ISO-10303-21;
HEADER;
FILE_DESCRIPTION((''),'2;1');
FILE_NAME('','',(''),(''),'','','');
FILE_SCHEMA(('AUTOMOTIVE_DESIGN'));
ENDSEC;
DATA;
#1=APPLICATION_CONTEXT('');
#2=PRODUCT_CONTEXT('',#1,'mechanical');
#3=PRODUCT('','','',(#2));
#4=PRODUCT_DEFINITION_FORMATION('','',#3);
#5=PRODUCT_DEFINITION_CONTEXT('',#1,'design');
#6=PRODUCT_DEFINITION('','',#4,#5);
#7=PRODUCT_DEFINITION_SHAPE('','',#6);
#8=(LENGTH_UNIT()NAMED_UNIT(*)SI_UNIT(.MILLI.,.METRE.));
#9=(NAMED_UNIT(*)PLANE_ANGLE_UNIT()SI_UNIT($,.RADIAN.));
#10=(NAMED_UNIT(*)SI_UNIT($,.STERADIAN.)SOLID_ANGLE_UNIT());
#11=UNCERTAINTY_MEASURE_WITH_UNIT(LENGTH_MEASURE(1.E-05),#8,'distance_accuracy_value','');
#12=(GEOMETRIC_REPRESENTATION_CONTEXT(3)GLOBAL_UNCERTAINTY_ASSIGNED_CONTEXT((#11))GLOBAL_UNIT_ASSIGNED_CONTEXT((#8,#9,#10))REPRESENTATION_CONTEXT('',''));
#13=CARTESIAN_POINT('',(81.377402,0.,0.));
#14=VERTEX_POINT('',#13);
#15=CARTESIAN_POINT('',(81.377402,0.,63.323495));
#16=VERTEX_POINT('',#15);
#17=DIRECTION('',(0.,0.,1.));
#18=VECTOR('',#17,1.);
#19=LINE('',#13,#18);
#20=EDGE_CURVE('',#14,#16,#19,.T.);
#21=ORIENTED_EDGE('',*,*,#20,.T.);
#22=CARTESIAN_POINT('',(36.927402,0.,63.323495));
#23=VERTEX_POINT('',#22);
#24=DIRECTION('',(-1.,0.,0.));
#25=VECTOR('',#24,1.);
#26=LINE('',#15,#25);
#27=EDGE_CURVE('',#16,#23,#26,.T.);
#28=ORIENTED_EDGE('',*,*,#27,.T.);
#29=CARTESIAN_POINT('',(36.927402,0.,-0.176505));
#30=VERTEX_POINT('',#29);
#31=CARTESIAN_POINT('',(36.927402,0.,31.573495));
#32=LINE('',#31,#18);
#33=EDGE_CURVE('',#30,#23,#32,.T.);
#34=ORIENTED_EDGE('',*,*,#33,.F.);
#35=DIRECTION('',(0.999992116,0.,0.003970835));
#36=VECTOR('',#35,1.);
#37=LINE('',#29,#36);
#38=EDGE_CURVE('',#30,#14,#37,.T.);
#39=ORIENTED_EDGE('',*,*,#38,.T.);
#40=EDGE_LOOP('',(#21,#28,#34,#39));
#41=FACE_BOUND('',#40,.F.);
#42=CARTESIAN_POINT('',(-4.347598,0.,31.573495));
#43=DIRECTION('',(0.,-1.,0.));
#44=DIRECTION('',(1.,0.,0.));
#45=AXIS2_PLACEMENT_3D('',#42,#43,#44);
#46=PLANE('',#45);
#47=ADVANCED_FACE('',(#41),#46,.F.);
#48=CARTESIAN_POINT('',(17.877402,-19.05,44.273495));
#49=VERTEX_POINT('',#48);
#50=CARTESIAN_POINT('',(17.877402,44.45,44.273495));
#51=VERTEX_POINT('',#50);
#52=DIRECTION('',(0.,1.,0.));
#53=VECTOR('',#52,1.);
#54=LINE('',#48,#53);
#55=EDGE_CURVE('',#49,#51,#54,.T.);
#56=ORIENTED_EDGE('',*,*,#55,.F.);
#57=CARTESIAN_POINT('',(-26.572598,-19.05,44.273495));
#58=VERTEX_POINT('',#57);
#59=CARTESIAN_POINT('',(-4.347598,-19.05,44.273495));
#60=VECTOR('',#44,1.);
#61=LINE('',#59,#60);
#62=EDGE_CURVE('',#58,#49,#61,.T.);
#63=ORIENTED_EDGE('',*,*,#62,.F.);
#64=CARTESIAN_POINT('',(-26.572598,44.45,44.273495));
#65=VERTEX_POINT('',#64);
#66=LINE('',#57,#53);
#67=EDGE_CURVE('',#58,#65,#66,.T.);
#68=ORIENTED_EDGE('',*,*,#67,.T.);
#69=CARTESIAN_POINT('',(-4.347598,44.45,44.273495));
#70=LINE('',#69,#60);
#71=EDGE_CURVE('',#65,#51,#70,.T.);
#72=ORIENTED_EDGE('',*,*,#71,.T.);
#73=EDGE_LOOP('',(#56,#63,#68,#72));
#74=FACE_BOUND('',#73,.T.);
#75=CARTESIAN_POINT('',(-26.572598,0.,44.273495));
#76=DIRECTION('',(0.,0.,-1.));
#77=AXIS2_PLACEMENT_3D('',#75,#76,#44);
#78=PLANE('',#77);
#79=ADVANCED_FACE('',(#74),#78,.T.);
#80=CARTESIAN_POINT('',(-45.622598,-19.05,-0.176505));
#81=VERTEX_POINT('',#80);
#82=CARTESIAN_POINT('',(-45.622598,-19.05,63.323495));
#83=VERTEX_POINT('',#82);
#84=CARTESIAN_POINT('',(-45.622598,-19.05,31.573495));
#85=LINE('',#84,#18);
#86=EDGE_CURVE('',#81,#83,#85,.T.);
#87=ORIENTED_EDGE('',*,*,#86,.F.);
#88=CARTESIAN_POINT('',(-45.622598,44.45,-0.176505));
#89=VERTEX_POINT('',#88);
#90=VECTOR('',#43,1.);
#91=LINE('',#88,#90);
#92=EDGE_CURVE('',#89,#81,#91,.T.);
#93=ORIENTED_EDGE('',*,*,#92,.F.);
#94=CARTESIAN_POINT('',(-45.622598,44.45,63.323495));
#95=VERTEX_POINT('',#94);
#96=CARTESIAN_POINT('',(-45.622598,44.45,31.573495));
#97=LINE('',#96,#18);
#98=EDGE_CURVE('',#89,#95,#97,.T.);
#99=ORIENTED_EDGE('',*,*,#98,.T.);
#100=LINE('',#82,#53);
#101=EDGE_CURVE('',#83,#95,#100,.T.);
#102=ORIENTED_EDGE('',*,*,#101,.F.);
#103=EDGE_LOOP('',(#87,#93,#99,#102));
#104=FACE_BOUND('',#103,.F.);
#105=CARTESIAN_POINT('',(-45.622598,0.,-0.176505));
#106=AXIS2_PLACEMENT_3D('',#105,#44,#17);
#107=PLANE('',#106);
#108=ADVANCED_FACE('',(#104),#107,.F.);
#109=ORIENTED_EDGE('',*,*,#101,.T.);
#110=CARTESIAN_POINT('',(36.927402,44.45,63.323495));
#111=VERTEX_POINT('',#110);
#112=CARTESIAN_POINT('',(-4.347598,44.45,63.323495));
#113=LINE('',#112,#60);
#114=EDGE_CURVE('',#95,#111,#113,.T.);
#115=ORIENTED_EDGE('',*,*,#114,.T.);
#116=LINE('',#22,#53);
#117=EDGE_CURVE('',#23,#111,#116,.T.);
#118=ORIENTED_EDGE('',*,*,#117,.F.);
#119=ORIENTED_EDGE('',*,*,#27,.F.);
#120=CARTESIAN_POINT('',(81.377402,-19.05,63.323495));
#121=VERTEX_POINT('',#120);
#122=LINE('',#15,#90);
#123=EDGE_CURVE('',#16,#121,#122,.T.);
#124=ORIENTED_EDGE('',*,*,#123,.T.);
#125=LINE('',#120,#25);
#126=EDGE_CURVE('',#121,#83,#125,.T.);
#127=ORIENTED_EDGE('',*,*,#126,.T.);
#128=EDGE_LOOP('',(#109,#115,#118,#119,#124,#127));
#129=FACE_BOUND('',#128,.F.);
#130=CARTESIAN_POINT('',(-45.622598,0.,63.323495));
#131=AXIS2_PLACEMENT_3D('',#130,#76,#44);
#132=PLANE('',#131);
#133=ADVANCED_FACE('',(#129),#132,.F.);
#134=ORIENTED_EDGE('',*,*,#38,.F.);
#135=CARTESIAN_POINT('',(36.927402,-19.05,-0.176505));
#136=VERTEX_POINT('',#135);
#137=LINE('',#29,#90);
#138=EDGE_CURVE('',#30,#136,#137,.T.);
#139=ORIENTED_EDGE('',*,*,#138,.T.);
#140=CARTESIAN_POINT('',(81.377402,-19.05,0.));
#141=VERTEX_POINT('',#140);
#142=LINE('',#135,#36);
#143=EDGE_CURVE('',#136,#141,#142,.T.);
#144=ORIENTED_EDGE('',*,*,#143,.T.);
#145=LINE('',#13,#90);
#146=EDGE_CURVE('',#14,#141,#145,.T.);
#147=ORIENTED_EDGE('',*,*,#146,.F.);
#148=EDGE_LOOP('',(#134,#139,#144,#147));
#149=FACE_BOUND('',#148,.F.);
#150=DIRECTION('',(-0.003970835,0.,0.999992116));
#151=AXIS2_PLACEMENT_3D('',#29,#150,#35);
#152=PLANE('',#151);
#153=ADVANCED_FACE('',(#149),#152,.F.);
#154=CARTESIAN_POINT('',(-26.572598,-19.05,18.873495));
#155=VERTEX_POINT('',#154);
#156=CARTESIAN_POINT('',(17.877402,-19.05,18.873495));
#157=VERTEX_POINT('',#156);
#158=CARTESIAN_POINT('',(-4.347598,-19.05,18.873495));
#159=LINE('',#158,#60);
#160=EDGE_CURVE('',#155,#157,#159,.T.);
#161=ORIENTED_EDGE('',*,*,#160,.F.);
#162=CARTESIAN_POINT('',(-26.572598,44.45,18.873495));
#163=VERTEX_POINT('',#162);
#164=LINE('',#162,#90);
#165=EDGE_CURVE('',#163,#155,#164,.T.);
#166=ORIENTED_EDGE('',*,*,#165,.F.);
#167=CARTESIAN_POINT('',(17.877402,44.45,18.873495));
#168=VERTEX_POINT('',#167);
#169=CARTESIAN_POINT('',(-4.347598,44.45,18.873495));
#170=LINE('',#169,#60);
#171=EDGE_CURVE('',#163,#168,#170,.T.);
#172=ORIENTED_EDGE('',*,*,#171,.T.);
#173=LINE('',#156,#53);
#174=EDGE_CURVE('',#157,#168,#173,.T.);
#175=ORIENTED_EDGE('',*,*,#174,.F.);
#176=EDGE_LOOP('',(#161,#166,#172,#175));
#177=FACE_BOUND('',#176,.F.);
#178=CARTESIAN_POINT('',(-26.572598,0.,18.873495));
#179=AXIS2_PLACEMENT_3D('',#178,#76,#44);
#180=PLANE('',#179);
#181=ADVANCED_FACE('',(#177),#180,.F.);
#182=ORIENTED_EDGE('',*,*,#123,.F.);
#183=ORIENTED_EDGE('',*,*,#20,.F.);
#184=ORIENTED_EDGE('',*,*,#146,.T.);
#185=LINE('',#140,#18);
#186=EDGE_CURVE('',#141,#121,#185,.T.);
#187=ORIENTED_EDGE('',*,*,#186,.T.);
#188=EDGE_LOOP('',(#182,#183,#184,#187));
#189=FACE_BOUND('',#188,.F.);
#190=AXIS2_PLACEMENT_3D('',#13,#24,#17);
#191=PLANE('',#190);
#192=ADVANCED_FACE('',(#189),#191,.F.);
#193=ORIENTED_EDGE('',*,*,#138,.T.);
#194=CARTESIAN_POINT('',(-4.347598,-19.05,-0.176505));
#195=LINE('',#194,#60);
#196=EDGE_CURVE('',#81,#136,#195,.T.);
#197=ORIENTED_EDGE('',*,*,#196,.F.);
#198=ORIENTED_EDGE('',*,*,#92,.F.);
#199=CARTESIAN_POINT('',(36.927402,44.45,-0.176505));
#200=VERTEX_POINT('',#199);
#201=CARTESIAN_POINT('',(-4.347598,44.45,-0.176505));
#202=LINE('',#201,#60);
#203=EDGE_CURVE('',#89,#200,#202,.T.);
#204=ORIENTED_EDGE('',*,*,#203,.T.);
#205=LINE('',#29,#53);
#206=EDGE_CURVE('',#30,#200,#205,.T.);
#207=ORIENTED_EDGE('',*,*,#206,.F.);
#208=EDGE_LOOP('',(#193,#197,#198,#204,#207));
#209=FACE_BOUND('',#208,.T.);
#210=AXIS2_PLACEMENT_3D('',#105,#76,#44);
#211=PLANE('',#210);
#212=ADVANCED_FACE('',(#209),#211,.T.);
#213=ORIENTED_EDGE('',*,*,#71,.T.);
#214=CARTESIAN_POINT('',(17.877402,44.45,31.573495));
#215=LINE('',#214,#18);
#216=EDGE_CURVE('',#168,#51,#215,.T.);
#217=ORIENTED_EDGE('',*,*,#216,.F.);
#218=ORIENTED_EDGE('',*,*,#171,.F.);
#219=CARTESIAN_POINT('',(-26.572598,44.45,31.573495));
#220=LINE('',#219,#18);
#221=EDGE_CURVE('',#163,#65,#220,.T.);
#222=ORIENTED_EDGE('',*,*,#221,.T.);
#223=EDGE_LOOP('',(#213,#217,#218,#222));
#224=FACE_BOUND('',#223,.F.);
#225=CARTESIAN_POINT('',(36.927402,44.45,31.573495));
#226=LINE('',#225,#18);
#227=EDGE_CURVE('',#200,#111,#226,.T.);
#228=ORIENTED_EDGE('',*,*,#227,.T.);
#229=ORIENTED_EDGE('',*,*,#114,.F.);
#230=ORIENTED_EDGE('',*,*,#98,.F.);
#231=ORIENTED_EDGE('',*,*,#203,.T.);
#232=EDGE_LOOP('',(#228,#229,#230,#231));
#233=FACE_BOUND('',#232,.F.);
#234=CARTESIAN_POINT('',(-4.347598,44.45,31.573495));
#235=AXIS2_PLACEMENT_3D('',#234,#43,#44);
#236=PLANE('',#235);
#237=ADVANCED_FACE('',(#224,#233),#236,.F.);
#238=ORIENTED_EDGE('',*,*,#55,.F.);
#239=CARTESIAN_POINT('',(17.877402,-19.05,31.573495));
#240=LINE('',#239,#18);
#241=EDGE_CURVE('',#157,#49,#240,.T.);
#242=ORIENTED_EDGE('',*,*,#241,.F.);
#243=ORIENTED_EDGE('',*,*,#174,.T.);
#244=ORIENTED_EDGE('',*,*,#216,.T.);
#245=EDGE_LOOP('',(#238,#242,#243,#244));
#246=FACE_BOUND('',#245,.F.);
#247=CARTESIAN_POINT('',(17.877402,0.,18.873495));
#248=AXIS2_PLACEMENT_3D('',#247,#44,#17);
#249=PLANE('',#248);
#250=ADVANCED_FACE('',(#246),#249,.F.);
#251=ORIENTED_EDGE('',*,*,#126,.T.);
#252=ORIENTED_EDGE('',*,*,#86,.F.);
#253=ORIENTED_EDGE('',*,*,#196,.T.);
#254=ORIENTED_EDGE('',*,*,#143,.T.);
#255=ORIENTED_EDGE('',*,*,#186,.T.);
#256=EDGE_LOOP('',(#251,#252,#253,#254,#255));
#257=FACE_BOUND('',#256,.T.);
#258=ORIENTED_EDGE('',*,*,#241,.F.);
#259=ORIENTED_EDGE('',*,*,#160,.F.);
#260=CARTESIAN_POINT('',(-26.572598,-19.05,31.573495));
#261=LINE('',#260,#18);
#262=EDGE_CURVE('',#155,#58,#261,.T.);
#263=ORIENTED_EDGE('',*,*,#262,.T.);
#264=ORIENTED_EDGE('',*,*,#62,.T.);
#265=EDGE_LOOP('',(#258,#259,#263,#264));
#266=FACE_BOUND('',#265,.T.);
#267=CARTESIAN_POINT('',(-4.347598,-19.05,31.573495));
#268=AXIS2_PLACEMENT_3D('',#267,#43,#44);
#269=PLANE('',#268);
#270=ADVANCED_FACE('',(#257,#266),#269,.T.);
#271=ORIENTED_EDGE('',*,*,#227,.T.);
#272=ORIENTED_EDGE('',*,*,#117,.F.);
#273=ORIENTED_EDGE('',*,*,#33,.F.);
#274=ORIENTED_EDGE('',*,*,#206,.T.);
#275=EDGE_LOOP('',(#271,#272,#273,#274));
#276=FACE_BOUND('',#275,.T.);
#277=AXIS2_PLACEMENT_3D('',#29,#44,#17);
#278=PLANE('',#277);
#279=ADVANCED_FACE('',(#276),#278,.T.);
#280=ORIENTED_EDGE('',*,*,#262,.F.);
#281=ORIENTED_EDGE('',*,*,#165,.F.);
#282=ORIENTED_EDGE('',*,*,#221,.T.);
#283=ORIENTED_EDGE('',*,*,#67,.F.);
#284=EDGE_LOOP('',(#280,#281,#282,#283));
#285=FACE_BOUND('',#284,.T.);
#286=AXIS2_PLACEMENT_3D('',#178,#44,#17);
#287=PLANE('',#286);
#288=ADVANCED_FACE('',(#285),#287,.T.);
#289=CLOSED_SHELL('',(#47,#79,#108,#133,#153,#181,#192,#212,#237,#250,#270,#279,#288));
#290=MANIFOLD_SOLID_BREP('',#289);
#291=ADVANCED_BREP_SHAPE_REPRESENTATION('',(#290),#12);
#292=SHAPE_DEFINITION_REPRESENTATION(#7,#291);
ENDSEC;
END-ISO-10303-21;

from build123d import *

# Parameters (mm, degrees)
F0_W     = 82.55
F0_H     = 63.5
F0_W_2   = 44.45
F0_H_2   = 25.4
F1_DEPTH = 19.05
F2_DEPTH = 44.45


with BuildPart() as f1:
    # F0 (on Front) → F1 (new body)
    with BuildSketch(Plane.XZ):
        with Locations((-4.347598, 31.573495)):
            Rectangle(F0_W, F0_H)
        with Locations((-4.347598, 31.573495)):
            Rectangle(F0_W_2, F0_H_2, mode=Mode.SUBTRACT)
        Polygon((81.377402, 63.323495), (36.927402, 63.323495), (36.927402, -0.176505), (81.377402, 0), align=None)
    extrude(amount=F1_DEPTH)

    # F0 (on Front) → F2 (join)
    with BuildSketch(Plane.XZ):
        with Locations((-4.347598, 31.573495)):
            Rectangle(F0_W, F0_H)
        with Locations((-4.347598, 31.573495)):
            Rectangle(F0_W_2, F0_H_2, mode=Mode.SUBTRACT)
    extrude(amount=-F2_DEPTH)


solid = f1.part
